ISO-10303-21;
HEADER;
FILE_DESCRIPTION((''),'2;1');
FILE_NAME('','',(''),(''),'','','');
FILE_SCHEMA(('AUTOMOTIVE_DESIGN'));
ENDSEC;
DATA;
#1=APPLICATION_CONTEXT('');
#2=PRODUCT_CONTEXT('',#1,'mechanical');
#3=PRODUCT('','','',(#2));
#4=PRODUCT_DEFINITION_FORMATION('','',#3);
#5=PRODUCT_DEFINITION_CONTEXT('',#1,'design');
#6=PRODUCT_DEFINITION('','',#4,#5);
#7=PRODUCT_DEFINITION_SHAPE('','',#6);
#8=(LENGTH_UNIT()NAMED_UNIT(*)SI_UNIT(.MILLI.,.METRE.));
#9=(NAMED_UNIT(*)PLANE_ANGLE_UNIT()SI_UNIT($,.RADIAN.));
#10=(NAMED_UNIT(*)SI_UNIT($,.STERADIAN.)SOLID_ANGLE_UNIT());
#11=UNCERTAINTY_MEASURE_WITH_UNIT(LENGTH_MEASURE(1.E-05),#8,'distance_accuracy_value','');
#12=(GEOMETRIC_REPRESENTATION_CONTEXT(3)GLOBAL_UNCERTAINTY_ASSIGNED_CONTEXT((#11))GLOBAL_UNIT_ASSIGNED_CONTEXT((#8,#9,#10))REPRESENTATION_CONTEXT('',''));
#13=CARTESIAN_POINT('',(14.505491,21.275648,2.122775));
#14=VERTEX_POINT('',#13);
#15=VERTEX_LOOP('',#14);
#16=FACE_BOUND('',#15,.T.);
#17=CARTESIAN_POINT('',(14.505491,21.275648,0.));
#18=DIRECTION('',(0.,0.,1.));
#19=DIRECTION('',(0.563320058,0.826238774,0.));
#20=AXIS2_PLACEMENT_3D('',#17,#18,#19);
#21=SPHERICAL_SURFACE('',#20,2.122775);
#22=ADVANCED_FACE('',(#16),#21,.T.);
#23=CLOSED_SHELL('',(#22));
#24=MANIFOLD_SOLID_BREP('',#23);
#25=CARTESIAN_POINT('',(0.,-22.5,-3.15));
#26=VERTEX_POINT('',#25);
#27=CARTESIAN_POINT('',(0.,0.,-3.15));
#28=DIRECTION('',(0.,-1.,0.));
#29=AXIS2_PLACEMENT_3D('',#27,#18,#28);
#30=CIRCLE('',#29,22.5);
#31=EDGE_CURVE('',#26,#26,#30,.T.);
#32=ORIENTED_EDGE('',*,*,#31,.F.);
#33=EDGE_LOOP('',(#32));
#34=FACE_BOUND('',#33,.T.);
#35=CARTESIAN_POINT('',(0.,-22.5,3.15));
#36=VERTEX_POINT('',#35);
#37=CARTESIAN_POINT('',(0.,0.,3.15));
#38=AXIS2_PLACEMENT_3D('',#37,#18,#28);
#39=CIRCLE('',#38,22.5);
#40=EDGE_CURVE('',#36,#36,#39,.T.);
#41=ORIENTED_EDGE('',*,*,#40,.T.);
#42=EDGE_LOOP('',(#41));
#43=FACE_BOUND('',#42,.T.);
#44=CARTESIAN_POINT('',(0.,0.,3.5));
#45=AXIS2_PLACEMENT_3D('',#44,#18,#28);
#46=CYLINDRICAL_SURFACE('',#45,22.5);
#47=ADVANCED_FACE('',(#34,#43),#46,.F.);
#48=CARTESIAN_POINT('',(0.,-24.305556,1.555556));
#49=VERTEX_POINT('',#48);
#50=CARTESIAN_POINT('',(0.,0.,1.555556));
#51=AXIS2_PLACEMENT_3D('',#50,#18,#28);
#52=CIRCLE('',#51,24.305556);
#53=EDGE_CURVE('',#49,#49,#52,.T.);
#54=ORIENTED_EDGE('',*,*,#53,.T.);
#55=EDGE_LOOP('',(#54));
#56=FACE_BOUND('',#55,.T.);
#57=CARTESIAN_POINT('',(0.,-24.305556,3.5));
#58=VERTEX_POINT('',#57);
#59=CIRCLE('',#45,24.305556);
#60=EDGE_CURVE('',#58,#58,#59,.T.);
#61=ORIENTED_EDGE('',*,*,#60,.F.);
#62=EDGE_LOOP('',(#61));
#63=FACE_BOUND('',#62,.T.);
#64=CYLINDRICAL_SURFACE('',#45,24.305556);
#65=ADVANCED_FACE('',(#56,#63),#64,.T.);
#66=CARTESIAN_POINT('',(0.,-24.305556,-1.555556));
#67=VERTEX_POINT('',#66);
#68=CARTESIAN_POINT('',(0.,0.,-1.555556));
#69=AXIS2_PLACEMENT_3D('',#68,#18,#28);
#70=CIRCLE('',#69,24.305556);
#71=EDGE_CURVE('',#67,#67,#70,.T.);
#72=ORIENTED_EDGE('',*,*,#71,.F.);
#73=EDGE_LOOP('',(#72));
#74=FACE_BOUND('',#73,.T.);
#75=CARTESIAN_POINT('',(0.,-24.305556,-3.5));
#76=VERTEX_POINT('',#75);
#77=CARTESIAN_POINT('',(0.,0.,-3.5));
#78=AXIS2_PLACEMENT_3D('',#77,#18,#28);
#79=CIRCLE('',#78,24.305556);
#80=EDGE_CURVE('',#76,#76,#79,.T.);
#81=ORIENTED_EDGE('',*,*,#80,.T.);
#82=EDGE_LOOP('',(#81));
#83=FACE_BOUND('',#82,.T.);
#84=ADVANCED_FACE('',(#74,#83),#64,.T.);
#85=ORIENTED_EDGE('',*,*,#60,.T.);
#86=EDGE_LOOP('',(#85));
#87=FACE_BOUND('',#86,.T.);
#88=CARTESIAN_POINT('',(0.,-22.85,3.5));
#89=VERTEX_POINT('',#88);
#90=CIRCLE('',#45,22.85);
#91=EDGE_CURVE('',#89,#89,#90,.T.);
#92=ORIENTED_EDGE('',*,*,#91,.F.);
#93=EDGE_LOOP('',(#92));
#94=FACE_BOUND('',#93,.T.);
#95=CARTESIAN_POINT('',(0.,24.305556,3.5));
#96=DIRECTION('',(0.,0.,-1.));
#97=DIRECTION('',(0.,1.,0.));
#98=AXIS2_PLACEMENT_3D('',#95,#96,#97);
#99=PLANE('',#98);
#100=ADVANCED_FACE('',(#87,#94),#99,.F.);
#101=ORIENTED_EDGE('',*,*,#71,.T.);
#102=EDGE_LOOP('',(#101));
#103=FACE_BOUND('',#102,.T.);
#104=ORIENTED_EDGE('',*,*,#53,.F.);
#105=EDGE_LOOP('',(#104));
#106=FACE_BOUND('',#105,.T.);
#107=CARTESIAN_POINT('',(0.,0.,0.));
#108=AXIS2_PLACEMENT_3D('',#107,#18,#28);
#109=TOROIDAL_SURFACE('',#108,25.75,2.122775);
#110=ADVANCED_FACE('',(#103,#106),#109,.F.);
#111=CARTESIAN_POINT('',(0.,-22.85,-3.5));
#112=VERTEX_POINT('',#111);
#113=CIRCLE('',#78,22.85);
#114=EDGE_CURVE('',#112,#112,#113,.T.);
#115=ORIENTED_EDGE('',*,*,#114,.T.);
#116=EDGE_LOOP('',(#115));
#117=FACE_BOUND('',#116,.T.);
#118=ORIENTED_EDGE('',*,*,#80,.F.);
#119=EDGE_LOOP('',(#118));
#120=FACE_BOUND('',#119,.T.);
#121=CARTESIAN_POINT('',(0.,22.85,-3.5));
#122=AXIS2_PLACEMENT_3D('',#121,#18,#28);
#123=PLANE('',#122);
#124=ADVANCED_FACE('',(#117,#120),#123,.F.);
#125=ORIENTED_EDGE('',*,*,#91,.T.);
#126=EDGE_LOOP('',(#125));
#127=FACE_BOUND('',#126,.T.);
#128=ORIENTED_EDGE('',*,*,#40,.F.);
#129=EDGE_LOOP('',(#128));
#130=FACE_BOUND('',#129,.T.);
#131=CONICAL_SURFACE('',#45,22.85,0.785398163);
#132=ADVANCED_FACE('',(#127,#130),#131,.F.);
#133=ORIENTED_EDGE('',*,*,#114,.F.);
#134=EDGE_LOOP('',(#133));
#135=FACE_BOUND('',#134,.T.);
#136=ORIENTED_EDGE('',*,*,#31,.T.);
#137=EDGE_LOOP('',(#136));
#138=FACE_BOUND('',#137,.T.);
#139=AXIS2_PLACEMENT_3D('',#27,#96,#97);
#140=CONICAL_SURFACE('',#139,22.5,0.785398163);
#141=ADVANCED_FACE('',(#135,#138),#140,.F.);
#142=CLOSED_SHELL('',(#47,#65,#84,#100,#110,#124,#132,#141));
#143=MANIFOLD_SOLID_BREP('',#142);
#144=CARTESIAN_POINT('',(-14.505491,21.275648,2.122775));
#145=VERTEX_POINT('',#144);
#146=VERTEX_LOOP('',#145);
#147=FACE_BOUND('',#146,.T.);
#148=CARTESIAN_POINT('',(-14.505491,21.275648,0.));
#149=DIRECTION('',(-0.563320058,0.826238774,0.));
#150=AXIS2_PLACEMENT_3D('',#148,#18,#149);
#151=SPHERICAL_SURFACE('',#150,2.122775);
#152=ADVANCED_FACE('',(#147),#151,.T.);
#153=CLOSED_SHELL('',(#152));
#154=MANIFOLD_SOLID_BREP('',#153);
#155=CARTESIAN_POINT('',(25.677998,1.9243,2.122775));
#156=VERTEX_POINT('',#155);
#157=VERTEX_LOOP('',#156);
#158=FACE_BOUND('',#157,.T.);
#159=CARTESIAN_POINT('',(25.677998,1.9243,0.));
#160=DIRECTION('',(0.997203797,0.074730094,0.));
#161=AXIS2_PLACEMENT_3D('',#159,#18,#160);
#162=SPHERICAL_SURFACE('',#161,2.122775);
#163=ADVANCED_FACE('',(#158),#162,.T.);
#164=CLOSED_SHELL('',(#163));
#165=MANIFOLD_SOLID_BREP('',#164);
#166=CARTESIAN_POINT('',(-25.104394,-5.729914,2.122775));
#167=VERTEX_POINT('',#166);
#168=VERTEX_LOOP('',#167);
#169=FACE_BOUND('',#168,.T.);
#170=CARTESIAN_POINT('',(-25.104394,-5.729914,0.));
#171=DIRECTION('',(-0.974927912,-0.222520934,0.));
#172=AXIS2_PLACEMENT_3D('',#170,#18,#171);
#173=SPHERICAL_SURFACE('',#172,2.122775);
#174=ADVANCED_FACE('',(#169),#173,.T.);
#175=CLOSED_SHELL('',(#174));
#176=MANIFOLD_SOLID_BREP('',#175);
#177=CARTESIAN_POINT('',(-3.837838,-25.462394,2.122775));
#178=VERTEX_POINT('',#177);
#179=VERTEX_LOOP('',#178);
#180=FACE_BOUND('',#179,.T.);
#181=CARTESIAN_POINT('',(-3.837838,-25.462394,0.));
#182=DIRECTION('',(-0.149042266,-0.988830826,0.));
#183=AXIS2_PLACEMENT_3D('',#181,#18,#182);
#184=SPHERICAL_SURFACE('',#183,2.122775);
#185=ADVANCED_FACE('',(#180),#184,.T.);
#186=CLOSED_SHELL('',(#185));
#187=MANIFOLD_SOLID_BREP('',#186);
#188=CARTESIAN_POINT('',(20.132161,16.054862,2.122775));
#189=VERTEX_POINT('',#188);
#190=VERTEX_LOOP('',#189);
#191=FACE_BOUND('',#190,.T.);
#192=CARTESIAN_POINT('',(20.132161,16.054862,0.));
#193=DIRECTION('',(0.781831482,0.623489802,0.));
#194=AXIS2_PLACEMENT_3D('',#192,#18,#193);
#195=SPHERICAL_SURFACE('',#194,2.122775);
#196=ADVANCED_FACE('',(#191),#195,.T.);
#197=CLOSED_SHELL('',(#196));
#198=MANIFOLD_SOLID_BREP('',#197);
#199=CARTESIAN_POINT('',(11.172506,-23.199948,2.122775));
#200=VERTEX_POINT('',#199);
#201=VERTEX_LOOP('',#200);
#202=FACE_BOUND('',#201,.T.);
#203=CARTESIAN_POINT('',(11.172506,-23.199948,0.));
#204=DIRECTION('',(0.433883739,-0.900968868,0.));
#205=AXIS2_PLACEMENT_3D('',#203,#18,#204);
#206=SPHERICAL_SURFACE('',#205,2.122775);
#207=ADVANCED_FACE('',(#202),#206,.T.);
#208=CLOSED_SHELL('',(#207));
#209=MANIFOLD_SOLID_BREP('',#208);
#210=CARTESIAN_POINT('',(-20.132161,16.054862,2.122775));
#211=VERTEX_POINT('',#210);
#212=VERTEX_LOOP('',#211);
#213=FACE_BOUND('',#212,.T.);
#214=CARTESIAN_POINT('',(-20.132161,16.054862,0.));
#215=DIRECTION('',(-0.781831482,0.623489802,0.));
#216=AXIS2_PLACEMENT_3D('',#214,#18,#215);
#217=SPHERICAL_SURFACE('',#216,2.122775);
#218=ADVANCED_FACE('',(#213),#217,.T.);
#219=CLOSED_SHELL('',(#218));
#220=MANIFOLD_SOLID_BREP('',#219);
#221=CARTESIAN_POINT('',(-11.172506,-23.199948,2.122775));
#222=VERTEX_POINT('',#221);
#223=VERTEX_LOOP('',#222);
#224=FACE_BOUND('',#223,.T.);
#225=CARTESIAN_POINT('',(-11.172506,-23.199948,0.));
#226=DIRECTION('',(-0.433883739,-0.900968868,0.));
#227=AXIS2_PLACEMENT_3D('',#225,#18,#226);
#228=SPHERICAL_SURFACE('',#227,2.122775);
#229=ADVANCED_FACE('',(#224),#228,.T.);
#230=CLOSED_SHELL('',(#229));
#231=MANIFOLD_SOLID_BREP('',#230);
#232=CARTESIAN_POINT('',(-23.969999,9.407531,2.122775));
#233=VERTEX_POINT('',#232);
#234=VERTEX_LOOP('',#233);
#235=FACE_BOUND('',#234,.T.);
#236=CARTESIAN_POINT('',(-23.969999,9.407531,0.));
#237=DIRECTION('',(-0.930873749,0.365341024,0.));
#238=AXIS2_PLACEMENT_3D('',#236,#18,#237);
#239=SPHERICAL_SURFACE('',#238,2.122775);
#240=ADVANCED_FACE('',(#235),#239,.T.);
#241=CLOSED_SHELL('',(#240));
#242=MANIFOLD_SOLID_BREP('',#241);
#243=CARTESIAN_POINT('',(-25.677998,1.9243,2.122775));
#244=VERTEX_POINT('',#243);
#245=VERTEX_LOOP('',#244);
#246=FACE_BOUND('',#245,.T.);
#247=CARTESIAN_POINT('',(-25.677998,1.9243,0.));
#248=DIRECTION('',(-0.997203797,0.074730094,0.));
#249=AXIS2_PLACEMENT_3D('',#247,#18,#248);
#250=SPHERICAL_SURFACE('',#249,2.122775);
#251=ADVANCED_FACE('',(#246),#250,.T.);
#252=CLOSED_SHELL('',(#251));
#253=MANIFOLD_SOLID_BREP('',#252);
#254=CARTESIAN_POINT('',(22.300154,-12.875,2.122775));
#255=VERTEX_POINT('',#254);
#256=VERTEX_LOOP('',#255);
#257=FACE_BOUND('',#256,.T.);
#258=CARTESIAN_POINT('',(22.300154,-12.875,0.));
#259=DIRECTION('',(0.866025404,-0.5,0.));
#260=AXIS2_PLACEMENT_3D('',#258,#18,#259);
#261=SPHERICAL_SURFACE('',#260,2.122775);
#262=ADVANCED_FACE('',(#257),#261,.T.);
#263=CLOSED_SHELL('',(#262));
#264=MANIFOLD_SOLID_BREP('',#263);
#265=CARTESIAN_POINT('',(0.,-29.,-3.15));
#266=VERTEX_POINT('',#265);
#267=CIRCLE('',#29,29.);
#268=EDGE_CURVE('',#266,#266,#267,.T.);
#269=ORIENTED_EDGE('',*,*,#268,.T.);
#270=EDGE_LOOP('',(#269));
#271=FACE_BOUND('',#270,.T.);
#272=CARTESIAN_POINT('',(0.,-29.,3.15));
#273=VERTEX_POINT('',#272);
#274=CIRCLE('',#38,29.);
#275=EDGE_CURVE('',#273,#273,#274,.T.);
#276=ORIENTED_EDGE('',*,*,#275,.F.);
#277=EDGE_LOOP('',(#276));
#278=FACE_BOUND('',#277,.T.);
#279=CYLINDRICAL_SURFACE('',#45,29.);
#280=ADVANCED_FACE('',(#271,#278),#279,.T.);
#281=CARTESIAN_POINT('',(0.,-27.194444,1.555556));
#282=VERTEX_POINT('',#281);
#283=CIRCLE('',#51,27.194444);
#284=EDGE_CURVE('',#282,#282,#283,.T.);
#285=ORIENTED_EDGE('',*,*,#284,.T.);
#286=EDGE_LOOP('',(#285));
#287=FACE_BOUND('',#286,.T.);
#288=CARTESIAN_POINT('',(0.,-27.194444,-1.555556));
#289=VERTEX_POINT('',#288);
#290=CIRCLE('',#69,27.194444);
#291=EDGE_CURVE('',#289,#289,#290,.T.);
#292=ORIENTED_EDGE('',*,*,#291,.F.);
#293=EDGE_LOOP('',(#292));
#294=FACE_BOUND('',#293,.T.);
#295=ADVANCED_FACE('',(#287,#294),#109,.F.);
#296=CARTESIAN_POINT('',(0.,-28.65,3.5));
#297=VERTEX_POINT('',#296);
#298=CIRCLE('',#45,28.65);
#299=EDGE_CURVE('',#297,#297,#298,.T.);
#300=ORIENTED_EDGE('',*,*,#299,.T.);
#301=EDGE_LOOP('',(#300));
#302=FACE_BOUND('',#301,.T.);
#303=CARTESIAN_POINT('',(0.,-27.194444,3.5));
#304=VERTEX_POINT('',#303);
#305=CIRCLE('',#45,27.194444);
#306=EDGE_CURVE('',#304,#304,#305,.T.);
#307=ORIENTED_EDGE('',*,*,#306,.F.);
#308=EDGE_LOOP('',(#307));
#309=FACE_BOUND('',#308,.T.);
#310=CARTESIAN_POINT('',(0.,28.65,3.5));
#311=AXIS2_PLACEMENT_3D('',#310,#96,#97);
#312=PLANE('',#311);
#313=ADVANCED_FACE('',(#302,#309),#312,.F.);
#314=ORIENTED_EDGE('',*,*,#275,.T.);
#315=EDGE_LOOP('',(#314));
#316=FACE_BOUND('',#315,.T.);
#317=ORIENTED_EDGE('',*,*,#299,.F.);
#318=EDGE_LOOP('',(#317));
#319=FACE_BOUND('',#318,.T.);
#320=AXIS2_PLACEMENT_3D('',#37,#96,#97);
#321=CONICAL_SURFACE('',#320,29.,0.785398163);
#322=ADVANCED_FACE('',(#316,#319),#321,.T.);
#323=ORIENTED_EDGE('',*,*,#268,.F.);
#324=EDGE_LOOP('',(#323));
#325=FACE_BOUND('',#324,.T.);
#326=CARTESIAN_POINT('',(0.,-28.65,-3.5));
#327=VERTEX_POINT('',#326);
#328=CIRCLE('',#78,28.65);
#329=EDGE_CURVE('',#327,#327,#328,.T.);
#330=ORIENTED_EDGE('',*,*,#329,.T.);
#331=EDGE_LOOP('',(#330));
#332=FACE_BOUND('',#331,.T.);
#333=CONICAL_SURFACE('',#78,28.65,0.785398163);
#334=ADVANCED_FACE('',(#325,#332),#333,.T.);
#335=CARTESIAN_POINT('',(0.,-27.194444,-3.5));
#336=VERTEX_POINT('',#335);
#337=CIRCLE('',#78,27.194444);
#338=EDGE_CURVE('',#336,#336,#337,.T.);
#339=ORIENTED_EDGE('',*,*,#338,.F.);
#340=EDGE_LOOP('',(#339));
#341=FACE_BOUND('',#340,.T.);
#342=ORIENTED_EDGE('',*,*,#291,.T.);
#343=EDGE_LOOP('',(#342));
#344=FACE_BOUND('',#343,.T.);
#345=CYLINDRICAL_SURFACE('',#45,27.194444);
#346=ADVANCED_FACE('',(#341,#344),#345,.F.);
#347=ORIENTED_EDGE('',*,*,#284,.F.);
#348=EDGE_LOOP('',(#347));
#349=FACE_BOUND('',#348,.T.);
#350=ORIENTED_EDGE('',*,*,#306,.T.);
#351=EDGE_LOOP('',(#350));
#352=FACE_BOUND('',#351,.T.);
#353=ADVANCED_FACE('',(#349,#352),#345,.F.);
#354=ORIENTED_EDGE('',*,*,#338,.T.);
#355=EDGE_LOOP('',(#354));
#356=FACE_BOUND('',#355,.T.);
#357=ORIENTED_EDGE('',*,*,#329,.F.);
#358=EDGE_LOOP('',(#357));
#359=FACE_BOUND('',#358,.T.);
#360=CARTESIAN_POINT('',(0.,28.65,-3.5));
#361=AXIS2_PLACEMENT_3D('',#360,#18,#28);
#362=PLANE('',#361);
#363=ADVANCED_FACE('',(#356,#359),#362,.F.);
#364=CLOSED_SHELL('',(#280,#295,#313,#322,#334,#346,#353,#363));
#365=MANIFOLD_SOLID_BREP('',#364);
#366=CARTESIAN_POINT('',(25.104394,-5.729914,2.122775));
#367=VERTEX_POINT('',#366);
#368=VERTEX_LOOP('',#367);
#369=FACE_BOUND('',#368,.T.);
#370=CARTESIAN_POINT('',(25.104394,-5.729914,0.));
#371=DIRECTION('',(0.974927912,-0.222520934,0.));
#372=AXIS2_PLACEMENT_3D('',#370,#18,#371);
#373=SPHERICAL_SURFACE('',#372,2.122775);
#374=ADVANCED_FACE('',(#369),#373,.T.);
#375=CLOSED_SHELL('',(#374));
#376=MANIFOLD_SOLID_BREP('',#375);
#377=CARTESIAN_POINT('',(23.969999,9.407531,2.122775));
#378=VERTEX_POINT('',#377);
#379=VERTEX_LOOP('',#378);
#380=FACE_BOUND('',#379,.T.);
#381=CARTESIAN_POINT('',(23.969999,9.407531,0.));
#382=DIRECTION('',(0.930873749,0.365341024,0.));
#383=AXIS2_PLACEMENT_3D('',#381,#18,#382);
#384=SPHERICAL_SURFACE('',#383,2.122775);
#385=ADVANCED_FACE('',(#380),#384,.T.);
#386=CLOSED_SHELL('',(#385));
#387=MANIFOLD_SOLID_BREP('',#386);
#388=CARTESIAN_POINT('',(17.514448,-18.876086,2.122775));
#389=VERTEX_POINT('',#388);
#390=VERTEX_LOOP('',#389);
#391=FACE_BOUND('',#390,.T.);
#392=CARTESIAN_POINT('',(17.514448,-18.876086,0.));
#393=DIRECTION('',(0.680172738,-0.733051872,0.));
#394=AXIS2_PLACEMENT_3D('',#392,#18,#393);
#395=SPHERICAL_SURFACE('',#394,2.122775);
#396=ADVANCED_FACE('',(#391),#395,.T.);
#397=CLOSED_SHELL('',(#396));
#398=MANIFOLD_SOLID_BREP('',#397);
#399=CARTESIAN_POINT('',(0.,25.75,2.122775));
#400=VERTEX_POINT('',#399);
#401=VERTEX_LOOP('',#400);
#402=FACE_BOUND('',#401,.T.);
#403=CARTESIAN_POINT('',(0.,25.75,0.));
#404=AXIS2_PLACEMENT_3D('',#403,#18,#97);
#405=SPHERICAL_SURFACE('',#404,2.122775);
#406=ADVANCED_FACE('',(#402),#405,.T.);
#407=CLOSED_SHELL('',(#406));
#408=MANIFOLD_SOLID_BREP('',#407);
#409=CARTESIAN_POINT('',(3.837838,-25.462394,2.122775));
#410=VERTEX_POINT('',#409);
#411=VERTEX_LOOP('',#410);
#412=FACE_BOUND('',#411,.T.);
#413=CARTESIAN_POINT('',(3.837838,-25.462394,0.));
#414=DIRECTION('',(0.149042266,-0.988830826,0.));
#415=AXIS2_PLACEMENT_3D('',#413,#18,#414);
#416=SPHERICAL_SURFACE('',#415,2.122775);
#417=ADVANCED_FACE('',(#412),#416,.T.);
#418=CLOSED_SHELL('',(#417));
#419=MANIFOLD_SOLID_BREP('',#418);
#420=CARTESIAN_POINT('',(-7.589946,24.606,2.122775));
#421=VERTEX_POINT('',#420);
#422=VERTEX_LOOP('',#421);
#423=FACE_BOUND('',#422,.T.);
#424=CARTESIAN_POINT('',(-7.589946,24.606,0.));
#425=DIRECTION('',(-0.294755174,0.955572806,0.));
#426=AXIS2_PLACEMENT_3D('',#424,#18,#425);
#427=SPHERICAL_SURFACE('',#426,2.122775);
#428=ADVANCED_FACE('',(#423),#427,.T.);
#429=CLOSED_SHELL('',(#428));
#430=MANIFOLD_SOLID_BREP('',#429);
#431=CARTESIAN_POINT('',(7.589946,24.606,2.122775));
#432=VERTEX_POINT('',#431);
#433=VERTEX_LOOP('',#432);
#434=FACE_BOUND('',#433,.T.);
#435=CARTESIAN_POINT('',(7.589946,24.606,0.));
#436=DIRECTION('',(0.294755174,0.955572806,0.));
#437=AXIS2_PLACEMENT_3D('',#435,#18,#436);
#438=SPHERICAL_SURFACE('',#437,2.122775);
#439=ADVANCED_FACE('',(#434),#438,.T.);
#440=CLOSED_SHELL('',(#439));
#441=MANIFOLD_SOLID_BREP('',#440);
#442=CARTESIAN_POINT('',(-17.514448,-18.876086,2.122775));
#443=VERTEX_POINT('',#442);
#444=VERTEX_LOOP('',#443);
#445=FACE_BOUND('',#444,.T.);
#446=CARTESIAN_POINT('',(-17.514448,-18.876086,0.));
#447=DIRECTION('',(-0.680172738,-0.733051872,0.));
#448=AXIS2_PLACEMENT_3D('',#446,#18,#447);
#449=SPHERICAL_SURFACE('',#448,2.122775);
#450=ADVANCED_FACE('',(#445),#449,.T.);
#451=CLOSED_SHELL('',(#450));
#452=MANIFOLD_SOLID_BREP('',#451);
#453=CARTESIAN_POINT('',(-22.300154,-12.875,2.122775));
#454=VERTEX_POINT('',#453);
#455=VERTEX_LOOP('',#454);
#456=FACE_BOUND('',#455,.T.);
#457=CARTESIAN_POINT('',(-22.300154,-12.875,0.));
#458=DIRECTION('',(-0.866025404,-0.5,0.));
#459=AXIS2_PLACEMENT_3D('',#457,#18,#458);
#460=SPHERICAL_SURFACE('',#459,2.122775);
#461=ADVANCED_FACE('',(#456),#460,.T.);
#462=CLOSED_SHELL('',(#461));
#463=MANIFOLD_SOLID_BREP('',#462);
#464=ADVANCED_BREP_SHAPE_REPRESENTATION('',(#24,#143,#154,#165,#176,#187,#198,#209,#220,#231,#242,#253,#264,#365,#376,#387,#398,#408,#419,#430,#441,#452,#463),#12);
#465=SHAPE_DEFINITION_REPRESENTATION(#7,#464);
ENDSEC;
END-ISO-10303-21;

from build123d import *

# Parameters (mm, degrees)
CIRPATTERN1_COUNT = 21


with BuildPart() as part:
    # Sketch6 → Revolve5 (revolve)
    with BuildSketch(Plane(origin=(0, 0, 0), x_dir=(0, 0, -1), z_dir=(1, 0, 0)), mode=Mode.PRIVATE) as revolve5_sk:
        with BuildLine():
            Line((3.15, 29), (3.5, 28.65))
            Line((3.5, 28.65), (3.5, 27.194444444))
            Line((3.5, 27.194444444), (1.555555556, 27.194444444))
            ThreePointArc((1.555555556, 27.194444444), (0, 27.872774797), (-1.555555556, 27.194444444))
            Line((-1.555555556, 27.194444444), (-3.5, 27.194444444))
            Line((-3.5, 27.194444444), (-3.5, 28.65))
            Line((-3.5, 28.65), (-3.15, 29))
            Line((-3.15, 29), (3.15, 29))
        make_face()
    revolve(revolve5_sk.sketch.rotate(Axis((0, 0, 3.5), (0, 0, -1)), 180), axis=Axis((0, 0, 3.5), (0, 0, -1)))


with BuildPart() as body_2:
    # Sketch3 → Revolve3 (revolve)
    with BuildSketch(Plane(origin=(0, 0, 0), x_dir=(0, 0, -1), z_dir=(1, 0, 0)), mode=Mode.PRIVATE) as revolve3_sk:
        with BuildLine():
            Line((-3.5, 24.305555556), (-1.555555556, 24.305555556))
            ThreePointArc((-1.555555556, 24.305555556), (0, 23.627225203), (1.555555556, 24.305555556))
            Line((1.555555556, 24.305555556), (3.5, 24.305555556))
            Line((3.5, 24.305555556), (3.5, 22.85))
            Line((3.5, 22.85), (3.15, 22.5))
            Line((3.15, 22.5), (-3.15, 22.5))
            Line((-3.15, 22.5), (-3.5, 22.85))
            Line((-3.5, 22.85), (-3.5, 24.305555556))
        make_face()
    revolve(revolve3_sk.sketch.rotate(Axis((0, 0, 3.5), (0, 0, -1)), 180), axis=Axis((0, 0, 3.5), (0, 0, -1)))


with BuildPart() as body_3:
    # Sketch4 → Revolve4 (revolve)
    with BuildSketch(Plane(origin=(0, 0, 0), x_dir=(0, 0, -1), z_dir=(1, 0, 0))):
        with BuildLine():
            Line((-2.122774797, 25.75), (2.122774797, 25.75))
            ThreePointArc((2.122774797, 25.75), (0, 27.872774797), (-2.122774797, 25.75))
        make_face()
    revolve(axis=Axis((0, 25.75, 2.122774797), (0, 0, -1)))


with BuildPart() as cirpattern1_1:
    # CirPattern1: pattern copy
    add(body_3.part.rotate(Axis((0, 0, 0), (0, 0, 1)), 1 * 360 / CIRPATTERN1_COUNT))


with BuildPart() as cirpattern1_2:
    # CirPattern1: pattern copy
    add(body_3.part.rotate(Axis((0, 0, 0), (0, 0, 1)), 2 * 360 / CIRPATTERN1_COUNT))


with BuildPart() as cirpattern1_3:
    # CirPattern1: pattern copy
    add(body_3.part.rotate(Axis((0, 0, 0), (0, 0, 1)), 3 * 360 / CIRPATTERN1_COUNT))


with BuildPart() as cirpattern1_4:
    # CirPattern1: pattern copy
    add(body_3.part.rotate(Axis((0, 0, 0), (0, 0, 1)), 4 * 360 / CIRPATTERN1_COUNT))


with BuildPart() as cirpattern1_5:
    # CirPattern1: pattern copy
    add(body_3.part.rotate(Axis((0, 0, 0), (0, 0, 1)), 5 * 360 / CIRPATTERN1_COUNT))


with BuildPart() as cirpattern1_6:
    # CirPattern1: pattern copy
    add(body_3.part.rotate(Axis((0, 0, 0), (0, 0, 1)), 6 * 360 / CIRPATTERN1_COUNT))


with BuildPart() as cirpattern1_7:
    # CirPattern1: pattern copy
    add(body_3.part.rotate(Axis((0, 0, 0), (0, 0, 1)), 7 * 360 / CIRPATTERN1_COUNT))


with BuildPart() as cirpattern1_8:
    # CirPattern1: pattern copy
    add(body_3.part.rotate(Axis((0, 0, 0), (0, 0, 1)), 8 * 360 / CIRPATTERN1_COUNT))


with BuildPart() as cirpattern1_9:
    # CirPattern1: pattern copy
    add(body_3.part.rotate(Axis((0, 0, 0), (0, 0, 1)), 9 * 360 / CIRPATTERN1_COUNT))


with BuildPart() as cirpattern1_10:
    # CirPattern1: pattern copy
    add(body_3.part.rotate(Axis((0, 0, 0), (0, 0, 1)), 10 * 360 / CIRPATTERN1_COUNT))


with BuildPart() as cirpattern1_11:
    # CirPattern1: pattern copy
    add(body_3.part.rotate(Axis((0, 0, 0), (0, 0, 1)), 11 * 360 / CIRPATTERN1_COUNT))


with BuildPart() as cirpattern1_12:
    # CirPattern1: pattern copy
    add(body_3.part.rotate(Axis((0, 0, 0), (0, 0, 1)), 12 * 360 / CIRPATTERN1_COUNT))


with BuildPart() as cirpattern1_13:
    # CirPattern1: pattern copy
    add(body_3.part.rotate(Axis((0, 0, 0), (0, 0, 1)), 13 * 360 / CIRPATTERN1_COUNT))


with BuildPart() as cirpattern1_14:
    # CirPattern1: pattern copy
    add(body_3.part.rotate(Axis((0, 0, 0), (0, 0, 1)), 14 * 360 / CIRPATTERN1_COUNT))


with BuildPart() as cirpattern1_15:
    # CirPattern1: pattern copy
    add(body_3.part.rotate(Axis((0, 0, 0), (0, 0, 1)), 15 * 360 / CIRPATTERN1_COUNT))


with BuildPart() as cirpattern1_16:
    # CirPattern1: pattern copy
    add(body_3.part.rotate(Axis((0, 0, 0), (0, 0, 1)), 16 * 360 / CIRPATTERN1_COUNT))


with BuildPart() as cirpattern1_17:
    # CirPattern1: pattern copy
    add(body_3.part.rotate(Axis((0, 0, 0), (0, 0, 1)), 17 * 360 / CIRPATTERN1_COUNT))


with BuildPart() as cirpattern1_18:
    # CirPattern1: pattern copy
    add(body_3.part.rotate(Axis((0, 0, 0), (0, 0, 1)), 18 * 360 / CIRPATTERN1_COUNT))


with BuildPart() as cirpattern1_19:
    # CirPattern1: pattern copy
    add(body_3.part.rotate(Axis((0, 0, 0), (0, 0, 1)), 19 * 360 / CIRPATTERN1_COUNT))


with BuildPart() as cirpattern1_20:
    # CirPattern1: pattern copy
    add(body_3.part.rotate(Axis((0, 0, 0), (0, 0, 1)), 20 * 360 / CIRPATTERN1_COUNT))


solid = Compound([part.part, body_2.part, body_3.part, cirpattern1_1.part, cirpattern1_2.part, cirpattern1_3.part, cirpattern1_4.part, cirpattern1_5.part, cirpattern1_6.part, cirpattern1_7.part, cirpattern1_8.part, cirpattern1_9.part, cirpattern1_10.part, cirpattern1_11.part, cirpattern1_12.part, cirpattern1_13.part, cirpattern1_14.part, cirpattern1_15.part, cirpattern1_16.part, cirpattern1_17.part, cirpattern1_18.part, cirpattern1_19.part, cirpattern1_20.part])
